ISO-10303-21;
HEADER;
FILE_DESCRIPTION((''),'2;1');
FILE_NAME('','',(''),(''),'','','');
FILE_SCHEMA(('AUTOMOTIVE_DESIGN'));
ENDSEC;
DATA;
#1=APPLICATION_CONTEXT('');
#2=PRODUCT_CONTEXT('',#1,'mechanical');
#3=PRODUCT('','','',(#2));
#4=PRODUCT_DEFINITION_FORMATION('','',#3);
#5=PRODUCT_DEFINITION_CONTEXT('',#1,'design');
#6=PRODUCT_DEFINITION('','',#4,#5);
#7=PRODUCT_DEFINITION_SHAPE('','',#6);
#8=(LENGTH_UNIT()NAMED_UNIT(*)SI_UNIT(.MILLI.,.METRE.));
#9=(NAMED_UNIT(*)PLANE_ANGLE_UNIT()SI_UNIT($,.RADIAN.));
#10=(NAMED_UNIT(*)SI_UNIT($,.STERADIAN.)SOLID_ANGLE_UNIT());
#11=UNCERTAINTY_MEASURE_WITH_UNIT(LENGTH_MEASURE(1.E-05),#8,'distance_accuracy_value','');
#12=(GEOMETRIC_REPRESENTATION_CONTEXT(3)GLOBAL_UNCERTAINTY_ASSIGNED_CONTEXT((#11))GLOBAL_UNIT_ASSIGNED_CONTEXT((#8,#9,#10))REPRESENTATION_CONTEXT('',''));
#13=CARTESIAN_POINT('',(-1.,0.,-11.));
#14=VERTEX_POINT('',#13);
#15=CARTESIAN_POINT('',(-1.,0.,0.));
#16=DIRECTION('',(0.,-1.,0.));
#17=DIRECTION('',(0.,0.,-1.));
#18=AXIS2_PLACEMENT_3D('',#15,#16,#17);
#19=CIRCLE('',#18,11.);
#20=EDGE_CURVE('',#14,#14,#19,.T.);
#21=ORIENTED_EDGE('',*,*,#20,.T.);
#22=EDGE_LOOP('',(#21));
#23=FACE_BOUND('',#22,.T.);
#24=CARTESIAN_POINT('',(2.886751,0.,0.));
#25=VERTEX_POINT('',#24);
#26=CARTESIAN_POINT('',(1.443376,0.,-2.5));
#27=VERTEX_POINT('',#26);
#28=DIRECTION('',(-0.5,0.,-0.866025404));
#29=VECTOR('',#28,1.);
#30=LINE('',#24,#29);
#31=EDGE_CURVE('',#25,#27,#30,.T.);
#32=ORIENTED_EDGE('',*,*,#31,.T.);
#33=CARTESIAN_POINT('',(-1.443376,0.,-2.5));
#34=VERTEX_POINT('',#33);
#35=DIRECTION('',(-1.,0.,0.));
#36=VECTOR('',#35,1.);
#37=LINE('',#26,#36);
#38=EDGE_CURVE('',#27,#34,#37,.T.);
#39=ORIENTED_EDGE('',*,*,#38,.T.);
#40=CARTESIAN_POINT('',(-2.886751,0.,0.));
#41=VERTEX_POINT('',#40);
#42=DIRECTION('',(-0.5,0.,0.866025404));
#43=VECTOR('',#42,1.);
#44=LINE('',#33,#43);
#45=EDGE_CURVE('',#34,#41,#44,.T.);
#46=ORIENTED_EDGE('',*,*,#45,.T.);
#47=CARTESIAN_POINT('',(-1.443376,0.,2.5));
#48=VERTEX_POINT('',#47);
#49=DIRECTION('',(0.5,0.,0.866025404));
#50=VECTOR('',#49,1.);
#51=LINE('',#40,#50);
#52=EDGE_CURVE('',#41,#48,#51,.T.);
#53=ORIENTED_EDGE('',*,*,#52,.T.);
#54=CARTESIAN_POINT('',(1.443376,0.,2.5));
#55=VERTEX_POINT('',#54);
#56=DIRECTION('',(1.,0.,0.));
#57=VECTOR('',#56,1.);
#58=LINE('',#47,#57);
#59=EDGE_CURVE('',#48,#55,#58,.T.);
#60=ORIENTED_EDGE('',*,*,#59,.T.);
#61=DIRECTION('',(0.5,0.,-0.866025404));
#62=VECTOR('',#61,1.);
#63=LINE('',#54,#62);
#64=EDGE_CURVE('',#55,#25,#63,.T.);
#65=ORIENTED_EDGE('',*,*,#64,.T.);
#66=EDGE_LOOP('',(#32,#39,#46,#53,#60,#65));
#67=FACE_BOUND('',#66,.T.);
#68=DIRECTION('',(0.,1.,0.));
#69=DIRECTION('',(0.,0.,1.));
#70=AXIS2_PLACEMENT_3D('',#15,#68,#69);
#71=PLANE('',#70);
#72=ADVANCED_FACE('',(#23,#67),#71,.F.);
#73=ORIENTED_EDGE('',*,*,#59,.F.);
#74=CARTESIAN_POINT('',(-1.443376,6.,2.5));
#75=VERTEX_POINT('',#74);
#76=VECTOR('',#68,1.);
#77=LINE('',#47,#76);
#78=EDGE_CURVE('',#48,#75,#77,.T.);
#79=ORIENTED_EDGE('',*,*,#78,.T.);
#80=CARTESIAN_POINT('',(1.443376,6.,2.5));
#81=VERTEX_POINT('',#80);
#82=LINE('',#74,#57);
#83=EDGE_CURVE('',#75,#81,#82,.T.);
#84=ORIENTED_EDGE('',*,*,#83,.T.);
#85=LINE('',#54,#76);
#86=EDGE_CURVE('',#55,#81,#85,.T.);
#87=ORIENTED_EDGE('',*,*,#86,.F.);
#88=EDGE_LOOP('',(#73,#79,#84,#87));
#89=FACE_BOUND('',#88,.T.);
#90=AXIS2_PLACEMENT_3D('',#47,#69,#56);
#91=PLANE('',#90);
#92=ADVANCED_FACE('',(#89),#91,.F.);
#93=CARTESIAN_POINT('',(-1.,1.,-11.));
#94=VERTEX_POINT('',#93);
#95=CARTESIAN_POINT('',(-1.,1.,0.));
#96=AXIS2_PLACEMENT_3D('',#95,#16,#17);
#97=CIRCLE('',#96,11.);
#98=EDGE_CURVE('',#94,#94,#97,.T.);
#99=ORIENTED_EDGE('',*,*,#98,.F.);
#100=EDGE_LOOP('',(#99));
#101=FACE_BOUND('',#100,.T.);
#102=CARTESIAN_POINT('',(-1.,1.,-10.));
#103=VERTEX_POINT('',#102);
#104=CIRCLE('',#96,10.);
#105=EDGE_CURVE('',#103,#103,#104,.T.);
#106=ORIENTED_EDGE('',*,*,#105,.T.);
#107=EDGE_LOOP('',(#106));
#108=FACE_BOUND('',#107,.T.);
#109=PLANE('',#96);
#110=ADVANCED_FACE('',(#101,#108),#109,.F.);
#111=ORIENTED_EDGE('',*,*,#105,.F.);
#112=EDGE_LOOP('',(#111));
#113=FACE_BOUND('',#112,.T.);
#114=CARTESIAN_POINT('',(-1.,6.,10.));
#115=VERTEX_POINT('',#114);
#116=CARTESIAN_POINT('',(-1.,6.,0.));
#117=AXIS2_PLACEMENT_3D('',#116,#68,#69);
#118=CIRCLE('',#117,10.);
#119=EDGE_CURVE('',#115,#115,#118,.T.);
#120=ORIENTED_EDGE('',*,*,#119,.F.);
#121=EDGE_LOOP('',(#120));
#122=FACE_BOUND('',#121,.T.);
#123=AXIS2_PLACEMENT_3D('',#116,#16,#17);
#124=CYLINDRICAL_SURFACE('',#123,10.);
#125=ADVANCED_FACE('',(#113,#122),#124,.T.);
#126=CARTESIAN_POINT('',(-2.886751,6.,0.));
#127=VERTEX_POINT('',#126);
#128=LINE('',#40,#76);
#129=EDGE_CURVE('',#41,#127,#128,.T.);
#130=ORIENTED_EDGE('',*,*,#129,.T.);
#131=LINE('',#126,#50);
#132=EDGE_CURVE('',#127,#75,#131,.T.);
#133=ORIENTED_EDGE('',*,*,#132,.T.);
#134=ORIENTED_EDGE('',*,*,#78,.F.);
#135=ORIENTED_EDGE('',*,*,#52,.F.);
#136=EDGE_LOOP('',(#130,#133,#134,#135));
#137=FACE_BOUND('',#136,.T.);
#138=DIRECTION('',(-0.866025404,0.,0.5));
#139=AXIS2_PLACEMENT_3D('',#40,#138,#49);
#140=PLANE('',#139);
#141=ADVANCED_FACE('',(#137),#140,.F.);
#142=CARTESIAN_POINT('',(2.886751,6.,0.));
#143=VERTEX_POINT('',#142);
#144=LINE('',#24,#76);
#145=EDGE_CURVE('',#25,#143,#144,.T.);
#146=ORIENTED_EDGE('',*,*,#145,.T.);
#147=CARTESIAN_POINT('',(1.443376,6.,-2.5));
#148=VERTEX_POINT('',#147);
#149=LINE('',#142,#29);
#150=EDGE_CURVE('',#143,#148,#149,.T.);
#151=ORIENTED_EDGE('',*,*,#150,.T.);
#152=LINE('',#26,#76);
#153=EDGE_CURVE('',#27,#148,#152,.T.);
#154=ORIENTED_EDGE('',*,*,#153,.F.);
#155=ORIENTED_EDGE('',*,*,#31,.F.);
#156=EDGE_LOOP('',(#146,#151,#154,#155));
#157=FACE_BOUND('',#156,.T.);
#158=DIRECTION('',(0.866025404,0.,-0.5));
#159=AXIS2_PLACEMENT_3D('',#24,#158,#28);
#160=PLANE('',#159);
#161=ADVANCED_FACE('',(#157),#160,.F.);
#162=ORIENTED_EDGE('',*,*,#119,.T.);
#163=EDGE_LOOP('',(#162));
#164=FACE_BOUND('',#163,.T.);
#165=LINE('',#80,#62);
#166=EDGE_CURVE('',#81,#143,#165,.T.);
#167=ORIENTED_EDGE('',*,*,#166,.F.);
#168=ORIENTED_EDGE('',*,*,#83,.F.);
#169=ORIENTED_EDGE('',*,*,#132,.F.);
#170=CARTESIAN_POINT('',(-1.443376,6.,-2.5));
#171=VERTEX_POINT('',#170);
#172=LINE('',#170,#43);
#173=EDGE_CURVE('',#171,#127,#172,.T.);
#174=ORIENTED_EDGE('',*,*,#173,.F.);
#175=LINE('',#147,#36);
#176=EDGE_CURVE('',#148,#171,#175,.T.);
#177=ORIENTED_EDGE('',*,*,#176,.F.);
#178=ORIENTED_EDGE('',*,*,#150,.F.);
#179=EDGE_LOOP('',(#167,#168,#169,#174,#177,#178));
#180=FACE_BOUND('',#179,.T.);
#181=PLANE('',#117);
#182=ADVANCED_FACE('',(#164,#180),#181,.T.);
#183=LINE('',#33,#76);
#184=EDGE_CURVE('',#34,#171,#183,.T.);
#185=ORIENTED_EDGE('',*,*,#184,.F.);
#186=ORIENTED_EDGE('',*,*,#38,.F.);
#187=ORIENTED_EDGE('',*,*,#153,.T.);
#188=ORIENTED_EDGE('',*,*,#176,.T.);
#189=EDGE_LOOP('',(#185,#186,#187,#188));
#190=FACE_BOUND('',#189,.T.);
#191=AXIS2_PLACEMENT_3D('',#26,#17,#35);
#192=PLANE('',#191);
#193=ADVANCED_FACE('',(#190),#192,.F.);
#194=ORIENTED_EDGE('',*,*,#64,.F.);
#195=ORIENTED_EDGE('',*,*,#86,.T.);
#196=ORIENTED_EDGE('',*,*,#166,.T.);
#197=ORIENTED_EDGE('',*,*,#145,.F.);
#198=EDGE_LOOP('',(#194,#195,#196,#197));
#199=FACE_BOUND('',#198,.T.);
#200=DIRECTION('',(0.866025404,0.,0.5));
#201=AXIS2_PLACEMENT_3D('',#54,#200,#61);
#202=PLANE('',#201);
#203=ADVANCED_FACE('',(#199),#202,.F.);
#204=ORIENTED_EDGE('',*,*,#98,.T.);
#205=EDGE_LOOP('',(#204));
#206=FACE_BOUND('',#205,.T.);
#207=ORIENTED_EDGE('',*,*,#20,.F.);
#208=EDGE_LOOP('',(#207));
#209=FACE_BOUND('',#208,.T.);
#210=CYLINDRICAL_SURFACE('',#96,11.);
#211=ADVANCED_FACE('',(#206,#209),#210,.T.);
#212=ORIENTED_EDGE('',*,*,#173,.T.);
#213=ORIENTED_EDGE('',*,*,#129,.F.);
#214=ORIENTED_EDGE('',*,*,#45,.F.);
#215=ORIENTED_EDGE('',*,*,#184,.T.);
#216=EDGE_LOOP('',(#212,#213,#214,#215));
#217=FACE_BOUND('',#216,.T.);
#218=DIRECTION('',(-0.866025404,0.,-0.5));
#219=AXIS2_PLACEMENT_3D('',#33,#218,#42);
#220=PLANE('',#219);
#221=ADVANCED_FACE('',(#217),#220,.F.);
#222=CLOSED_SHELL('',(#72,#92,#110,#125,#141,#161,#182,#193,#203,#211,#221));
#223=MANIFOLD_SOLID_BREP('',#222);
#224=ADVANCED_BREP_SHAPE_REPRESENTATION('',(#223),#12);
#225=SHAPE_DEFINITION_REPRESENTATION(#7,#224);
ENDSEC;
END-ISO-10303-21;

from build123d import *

# Parameters (mm, degrees)
SKETCH1_R           = 10
BOSS_EXTRUDE1_DEPTH = 6
SKETCH2_R           = 11
BOSS_EXTRUDE2_DEPTH = 1
CUT_EXTRUDE1_DEPTH  = 18.349351573


with BuildPart() as part:
    # Sketch1 → Boss-Extrude1 (new body)
    with BuildSketch(Plane(origin=(0, 0, 0), x_dir=(1, 0, 0), z_dir=(0, 1, 0))):
        with Locations(Location((-1, 0, 0), (0, 0, 270))):
            Circle(SKETCH1_R)
    extrude(amount=BOSS_EXTRUDE1_DEPTH)

    # Sketch2 → Boss-Extrude2 (add)
    with BuildSketch(Plane.XZ):
        with Locations(Location((-1, 0, 0), (0, 0, 270))):
            Circle(SKETCH2_R)
    extrude(amount=-BOSS_EXTRUDE2_DEPTH)

    # Sketch4 → Cut-Extrude1 (cut, through all)
    with BuildSketch(Plane(origin=(0, 6, 0), x_dir=(1, 0, 0), z_dir=(0, 1, 0))):
        Polygon((2.886751346, 0), (1.443375673, 2.5), (-1.443375673, 2.5), (-2.886751346, 0), (-1.443375673, -2.5), (1.443375673, -2.5), align=None)
    extrude(amount=-CUT_EXTRUDE1_DEPTH, mode=Mode.SUBTRACT)


solid = part.part
